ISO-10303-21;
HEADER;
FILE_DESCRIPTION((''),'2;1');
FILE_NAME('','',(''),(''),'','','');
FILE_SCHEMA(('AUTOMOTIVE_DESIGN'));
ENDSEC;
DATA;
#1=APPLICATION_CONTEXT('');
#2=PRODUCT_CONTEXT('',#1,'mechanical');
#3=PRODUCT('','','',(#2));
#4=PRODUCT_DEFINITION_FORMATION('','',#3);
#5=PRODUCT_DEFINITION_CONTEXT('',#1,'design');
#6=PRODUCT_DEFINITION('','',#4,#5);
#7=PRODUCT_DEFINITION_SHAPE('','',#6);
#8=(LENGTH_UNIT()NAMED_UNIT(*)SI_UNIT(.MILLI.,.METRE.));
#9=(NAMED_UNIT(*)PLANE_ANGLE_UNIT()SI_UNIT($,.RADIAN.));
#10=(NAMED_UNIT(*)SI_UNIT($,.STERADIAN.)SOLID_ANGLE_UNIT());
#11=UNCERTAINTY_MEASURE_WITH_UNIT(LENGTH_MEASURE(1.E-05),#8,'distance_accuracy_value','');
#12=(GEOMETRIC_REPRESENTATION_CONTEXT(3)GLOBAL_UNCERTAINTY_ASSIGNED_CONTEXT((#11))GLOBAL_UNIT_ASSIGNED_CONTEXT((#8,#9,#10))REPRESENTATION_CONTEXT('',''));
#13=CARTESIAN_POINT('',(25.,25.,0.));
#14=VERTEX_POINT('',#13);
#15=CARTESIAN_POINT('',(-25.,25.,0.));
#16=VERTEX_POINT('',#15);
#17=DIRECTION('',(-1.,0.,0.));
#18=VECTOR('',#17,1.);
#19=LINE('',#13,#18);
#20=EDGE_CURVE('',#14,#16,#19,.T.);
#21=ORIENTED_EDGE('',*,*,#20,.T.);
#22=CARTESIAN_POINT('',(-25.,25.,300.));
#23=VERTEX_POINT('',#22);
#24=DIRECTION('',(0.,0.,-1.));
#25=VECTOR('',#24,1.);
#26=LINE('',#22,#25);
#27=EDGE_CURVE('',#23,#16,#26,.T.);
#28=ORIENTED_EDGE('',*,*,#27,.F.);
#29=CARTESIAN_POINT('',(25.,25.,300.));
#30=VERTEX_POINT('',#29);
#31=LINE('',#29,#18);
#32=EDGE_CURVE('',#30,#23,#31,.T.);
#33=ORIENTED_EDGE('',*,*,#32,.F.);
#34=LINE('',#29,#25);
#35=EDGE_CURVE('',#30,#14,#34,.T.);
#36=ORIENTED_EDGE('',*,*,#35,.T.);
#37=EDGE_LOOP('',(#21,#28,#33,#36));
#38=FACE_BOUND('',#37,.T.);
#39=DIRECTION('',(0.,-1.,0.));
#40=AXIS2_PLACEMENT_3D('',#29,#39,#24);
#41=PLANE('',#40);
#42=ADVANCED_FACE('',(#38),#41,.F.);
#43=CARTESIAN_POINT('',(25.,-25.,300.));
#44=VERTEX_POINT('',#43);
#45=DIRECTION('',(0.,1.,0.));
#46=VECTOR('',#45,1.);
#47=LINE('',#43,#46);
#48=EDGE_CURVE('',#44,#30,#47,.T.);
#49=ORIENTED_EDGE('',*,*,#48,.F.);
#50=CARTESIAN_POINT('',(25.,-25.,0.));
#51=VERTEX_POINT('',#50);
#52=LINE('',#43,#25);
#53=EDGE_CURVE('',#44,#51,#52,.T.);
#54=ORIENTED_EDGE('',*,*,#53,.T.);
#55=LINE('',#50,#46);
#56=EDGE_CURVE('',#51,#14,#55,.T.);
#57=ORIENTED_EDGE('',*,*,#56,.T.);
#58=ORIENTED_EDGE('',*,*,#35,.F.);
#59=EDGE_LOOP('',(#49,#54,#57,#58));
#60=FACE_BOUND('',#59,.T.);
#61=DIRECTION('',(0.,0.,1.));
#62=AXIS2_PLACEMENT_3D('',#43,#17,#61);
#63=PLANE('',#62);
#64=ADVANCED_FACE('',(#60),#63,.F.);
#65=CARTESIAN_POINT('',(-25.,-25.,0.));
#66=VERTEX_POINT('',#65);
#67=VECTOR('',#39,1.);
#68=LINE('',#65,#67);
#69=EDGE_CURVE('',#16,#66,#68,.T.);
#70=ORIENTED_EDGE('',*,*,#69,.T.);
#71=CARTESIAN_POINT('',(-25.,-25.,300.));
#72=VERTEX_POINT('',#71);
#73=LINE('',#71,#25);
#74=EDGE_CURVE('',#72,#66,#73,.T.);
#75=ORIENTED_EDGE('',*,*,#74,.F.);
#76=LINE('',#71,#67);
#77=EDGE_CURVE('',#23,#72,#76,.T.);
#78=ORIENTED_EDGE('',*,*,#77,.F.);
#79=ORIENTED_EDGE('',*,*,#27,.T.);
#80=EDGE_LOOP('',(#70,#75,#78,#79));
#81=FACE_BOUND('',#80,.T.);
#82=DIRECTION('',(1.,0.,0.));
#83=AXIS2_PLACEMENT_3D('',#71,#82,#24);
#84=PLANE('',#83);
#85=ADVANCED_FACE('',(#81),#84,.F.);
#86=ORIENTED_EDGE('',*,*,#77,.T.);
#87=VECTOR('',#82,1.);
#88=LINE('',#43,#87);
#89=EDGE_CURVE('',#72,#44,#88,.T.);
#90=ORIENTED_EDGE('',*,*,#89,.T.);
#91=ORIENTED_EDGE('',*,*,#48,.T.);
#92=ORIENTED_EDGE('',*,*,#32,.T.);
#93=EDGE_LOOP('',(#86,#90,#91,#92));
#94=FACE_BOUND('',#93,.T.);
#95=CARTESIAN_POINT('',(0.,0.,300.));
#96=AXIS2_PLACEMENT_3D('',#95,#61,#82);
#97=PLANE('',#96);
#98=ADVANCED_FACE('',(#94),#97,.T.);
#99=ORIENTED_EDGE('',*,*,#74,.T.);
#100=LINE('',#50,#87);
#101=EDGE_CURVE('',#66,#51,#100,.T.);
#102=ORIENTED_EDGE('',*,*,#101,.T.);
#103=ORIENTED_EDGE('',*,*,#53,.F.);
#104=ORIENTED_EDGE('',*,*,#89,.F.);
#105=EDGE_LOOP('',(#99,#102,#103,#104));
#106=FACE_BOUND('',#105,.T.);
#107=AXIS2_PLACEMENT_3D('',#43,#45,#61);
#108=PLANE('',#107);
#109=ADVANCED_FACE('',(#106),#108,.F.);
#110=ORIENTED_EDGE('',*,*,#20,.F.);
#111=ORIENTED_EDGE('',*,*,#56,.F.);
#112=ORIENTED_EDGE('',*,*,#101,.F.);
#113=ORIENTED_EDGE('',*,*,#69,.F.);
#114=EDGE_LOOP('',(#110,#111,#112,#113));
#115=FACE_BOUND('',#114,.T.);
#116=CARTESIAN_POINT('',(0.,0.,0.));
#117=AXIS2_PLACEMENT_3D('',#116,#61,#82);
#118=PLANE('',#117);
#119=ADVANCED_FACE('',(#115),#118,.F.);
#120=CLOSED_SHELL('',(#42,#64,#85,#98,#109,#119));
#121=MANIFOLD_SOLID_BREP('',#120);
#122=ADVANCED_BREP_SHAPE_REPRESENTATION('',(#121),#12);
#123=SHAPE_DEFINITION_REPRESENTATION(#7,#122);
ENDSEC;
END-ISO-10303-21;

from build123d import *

# Parameters (mm, degrees)
SKETCH1_W           = 50
SKETCH1_H           = 50
BOSS_EXTRUDE1_DEPTH = 300


with BuildPart() as part:
    # Sketch1 → Boss-Extrude1 (new body)
    with BuildSketch(Plane.XY):
        Rectangle(SKETCH1_W, SKETCH1_H)
    extrude(amount=BOSS_EXTRUDE1_DEPTH)


solid = part.part
